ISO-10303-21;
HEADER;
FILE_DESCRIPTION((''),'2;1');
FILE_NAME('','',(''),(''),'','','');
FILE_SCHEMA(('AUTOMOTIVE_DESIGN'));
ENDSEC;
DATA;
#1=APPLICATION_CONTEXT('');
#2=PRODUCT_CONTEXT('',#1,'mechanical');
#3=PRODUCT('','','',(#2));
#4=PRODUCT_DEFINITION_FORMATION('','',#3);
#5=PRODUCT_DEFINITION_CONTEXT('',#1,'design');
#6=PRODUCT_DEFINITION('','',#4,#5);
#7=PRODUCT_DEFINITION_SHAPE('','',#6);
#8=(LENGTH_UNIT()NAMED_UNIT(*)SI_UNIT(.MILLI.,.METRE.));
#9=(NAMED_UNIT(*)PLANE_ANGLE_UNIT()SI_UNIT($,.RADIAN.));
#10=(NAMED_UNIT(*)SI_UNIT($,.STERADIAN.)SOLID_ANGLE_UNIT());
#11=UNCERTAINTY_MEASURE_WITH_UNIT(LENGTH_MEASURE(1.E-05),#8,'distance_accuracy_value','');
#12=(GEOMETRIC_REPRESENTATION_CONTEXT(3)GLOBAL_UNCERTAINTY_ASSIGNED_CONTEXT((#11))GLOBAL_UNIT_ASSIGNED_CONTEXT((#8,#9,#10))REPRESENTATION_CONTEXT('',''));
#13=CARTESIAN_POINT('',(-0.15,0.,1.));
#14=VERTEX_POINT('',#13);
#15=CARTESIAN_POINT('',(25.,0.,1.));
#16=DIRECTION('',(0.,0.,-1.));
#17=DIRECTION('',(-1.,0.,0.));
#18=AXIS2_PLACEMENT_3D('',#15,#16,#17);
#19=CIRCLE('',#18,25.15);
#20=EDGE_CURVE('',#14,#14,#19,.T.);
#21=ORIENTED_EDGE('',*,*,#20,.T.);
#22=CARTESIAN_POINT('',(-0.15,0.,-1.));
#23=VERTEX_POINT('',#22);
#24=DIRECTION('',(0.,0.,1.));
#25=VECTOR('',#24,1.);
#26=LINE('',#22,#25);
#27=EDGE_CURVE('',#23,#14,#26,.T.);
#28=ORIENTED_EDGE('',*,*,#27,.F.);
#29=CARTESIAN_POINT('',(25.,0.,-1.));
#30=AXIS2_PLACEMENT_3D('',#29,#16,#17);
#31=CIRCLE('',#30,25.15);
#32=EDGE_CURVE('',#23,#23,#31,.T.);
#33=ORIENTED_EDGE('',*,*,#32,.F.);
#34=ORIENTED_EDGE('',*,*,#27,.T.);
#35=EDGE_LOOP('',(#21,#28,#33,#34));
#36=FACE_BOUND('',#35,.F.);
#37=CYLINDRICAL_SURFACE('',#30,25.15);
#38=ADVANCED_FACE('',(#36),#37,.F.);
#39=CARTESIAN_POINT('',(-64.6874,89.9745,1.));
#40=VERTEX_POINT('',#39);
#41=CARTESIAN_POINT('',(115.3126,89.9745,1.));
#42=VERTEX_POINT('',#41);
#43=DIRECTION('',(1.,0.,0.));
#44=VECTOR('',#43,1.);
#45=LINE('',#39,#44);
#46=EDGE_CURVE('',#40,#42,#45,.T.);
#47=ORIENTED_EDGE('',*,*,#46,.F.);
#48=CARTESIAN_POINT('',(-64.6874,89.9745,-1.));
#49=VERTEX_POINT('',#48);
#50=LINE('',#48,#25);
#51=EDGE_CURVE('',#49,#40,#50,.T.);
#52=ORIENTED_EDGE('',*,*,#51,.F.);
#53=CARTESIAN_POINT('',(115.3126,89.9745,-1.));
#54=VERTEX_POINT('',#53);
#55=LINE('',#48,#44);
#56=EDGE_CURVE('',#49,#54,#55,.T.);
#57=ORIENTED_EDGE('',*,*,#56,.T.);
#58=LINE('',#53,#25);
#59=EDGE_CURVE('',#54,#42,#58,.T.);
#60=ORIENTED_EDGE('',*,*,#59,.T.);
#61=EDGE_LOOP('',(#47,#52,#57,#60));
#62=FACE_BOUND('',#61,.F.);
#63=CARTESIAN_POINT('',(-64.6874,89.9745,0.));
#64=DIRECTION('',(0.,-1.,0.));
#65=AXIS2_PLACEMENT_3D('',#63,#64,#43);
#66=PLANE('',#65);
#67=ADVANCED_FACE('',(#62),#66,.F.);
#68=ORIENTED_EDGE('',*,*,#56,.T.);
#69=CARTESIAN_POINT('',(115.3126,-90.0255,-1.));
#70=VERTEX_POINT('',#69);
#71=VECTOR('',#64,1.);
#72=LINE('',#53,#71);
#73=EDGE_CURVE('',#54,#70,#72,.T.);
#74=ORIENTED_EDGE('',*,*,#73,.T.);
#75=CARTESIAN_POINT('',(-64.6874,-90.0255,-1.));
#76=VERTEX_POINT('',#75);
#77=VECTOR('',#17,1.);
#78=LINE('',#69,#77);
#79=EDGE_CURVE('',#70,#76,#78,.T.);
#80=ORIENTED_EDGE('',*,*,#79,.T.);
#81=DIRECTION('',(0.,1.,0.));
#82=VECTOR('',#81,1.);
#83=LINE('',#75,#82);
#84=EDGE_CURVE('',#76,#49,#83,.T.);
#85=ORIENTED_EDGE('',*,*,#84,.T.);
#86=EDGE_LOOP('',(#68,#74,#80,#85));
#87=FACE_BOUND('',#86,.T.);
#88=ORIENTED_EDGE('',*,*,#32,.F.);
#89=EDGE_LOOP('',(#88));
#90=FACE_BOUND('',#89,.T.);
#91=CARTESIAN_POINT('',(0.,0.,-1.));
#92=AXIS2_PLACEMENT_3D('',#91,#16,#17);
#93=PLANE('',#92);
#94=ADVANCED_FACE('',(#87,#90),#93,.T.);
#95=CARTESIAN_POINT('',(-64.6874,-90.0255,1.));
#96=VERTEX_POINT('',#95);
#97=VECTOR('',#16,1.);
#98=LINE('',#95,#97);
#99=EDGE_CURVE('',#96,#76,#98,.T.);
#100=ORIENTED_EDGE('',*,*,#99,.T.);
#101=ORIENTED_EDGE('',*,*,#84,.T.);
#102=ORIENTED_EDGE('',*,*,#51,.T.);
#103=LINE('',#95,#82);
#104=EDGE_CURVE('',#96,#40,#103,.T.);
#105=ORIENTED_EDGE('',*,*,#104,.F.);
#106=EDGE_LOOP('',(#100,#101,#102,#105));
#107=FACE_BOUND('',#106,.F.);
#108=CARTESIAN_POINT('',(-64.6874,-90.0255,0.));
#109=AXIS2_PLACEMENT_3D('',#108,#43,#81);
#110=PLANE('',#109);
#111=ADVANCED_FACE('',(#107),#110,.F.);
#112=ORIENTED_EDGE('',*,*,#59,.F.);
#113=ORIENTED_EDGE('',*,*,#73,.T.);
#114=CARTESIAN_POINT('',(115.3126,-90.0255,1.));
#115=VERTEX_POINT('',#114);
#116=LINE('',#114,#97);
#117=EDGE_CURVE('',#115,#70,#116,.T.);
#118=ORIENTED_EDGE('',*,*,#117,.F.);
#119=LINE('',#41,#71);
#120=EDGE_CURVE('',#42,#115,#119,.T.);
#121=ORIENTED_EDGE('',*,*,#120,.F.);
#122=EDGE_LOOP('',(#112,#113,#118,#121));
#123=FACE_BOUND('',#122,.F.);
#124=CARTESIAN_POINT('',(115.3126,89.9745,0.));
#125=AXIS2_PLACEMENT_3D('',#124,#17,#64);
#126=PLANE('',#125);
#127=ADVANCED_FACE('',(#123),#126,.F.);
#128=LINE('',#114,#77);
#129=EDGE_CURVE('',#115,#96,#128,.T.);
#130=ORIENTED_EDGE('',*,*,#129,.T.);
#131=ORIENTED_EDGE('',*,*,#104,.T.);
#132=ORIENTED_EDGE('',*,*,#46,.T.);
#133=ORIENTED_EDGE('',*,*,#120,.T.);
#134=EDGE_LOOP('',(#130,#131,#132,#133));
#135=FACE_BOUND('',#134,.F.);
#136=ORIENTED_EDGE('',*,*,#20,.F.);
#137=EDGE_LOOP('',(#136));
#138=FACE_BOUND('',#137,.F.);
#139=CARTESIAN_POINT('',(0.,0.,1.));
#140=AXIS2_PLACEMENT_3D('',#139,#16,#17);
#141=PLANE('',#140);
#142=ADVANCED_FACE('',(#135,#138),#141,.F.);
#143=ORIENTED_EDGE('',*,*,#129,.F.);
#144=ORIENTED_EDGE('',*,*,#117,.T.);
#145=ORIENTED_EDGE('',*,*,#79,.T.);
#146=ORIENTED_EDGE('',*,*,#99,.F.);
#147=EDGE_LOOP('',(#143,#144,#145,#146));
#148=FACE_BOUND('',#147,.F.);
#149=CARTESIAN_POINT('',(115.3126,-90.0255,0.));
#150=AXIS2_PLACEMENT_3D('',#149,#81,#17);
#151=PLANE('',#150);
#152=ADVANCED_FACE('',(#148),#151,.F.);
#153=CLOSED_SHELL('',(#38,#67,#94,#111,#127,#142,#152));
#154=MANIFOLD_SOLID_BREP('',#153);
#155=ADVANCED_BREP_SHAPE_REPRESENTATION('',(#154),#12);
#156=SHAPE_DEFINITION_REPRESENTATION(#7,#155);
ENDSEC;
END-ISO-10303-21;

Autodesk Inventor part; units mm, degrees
ref_plane "YZ Plane" through (0, 0, 0) normal (1, 0, 0) x (0, 1, 0)
ref_plane "XZ Plane" through (0, 0, 0) normal (0, 1, 0) x (-1, 0, 0)
ref_plane "XY Plane" through (0, 0, 0) normal (0, 0, 1) x (1, 0, 0)
ref_plane "Work Plane1" through (0, 0, 0) normal (0, 0, -1) x (-1, 0, 0)
sketch "Sketch1" plane through (0, 0, 0) normal (0, 0, -1) x (-1, 0, 0)
  line L0 (-115.3126, -90.0255) -> (64.6874, -90.0255)
  line L1 (64.6874, -90.0255) -> (64.6874, 89.9745)
  line L2 (64.6874, 89.9745) -> (-115.3126, 89.9745)
  line L3 (-115.3126, 89.9745) -> (-115.3126, -90.0255)
  line L4 (-25.3126, 0) -> (-25.3126, -88.1346) construction
  line L5 (-1.4905, -0.0255) -> (99.3864, -0.0255) construction
  point P0 (0, 0)
  point P1 (-25.3126, -0.0255)
  dimension "d0" = 180
  dimension "d1" = 180
  dimension "d8" = 90
  dimension "d9" = 90
extrude "Extrusion1" add sketch "Sketch1" along normal mid plane 2
sketch "Sketch2" plane through (0, 0, -1) normal (0, 0, -1) x (-1, 0, 0)
  circle A0 centre (-25, 0) radius 25.15 projected
  point P0 (0, 0)
extrude "Extrusion2" cut sketch "Sketch2" against normal through all
ref_plane "Work Plane3" through (0, 0, -56) normal (0, 0, -1) x (-1, 0, 0)
ref_plane "Work Plane2" through (0, 0, -116) normal (0, 0, -1) x (-1, 0, 0)
equation "\"d1\" = d0"
equation "\"d8\" = 0.5 * d0"
equation "\"d9\" = d8"
properties part number "tapa_dummy"
